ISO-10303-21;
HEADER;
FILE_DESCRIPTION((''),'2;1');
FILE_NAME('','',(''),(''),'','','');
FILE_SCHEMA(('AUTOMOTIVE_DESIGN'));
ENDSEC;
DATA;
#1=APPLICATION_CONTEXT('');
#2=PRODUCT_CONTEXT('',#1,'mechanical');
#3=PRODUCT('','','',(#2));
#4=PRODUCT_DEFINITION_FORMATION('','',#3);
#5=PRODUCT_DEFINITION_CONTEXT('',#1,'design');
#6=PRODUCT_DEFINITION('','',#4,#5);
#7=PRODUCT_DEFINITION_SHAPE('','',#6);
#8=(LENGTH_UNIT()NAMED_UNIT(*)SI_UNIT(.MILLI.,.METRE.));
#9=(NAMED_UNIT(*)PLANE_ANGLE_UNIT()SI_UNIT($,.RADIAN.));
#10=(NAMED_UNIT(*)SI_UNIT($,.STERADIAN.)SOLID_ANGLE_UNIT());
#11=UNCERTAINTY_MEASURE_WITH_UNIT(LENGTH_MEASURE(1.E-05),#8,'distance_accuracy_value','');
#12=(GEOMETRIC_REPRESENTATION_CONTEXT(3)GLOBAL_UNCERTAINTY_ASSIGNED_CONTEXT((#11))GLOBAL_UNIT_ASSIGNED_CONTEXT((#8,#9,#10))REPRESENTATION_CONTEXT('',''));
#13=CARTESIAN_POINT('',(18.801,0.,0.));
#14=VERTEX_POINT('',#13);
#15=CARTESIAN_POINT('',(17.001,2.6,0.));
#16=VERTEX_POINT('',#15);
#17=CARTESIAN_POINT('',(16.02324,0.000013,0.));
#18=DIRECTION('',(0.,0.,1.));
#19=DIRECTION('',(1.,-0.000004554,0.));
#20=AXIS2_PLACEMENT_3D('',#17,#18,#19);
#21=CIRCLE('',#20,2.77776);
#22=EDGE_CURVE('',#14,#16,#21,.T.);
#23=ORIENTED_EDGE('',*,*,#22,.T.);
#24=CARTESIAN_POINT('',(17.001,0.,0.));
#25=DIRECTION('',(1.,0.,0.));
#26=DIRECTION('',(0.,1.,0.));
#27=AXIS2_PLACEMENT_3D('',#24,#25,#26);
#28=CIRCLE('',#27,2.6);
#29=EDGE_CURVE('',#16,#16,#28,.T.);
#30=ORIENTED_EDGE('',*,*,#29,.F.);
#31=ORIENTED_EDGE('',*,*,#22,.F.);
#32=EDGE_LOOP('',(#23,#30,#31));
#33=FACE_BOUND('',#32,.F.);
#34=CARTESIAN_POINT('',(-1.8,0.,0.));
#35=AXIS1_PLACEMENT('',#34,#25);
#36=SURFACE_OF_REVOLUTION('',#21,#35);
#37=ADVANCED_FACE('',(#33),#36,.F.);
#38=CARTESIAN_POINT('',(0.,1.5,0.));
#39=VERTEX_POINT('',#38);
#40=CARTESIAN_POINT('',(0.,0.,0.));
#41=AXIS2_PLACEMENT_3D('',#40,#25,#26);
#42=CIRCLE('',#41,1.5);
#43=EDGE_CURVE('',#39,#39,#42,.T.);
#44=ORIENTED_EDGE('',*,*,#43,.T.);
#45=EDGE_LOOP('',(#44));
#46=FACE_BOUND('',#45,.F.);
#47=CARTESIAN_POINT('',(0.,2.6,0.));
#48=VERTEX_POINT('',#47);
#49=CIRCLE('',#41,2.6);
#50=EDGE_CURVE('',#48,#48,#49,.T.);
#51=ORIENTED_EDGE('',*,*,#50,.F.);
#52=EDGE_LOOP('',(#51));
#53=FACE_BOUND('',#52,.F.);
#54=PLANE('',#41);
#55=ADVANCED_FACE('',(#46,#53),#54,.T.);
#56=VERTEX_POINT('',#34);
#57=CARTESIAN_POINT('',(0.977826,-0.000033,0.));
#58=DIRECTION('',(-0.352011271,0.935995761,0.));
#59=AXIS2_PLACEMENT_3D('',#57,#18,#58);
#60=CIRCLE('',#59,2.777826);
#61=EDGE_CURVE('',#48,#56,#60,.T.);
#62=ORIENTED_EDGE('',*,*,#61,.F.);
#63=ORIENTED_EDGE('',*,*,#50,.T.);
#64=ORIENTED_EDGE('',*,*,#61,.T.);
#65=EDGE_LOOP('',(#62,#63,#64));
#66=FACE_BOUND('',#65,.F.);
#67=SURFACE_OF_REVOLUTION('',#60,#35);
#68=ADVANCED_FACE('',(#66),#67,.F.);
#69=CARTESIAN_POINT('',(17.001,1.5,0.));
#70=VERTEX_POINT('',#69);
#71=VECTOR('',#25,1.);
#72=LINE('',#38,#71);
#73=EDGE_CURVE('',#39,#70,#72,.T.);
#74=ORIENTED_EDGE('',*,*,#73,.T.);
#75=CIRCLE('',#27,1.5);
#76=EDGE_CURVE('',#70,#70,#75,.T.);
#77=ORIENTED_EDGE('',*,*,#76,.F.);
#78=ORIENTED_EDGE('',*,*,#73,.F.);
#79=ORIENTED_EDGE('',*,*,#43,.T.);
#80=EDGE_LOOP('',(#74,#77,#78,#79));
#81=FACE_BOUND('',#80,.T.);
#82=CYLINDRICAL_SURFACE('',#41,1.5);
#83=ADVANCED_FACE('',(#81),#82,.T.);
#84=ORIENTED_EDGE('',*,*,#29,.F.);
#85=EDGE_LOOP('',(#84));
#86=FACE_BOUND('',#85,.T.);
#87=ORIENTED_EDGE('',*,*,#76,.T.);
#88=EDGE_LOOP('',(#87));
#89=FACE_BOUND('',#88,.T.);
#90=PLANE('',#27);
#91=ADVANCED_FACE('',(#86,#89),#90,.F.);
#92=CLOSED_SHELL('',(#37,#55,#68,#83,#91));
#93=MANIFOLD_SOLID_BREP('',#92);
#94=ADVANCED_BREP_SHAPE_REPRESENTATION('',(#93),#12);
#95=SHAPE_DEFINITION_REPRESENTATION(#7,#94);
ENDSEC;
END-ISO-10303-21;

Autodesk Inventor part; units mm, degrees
ref_plane "YZ Plane" through (0, 0, 0) normal (1, 0, 0) x (0, 1, 0)
ref_plane "XZ Plane" through (0, 0, 0) normal (0, 1, 0) x (-1, 0, 0)
ref_plane "XY Plane" through (0, 0, 0) normal (0, 0, 1) x (1, 0, 0)
sketch "Sketch" plane through (0, 0, 0) normal (0, 0, 1) x (1, 0, 0)
  line L0 (0, 1.5) -> (17.001, 1.5)
  line L1 (17.001, 1.5) -> (17.001, 2.6)
  line L2 (0, 1.5) -> (0, 2.6)
  line L3 (-1.8, 0) -> (18.801, 0)
  line L4 (-1.2309, 0) -> (2.2319, 0) projected
  line L5 (0, -0.1982) -> (0, 1.189) projected
  arc A0 (0, 2.6) -> (-1.8, 0) centre (0.9778, 0) ccw
  arc A1 (18.801, 0) -> (17.001, 2.6) centre (16.0232, 0) ccw
  dimension "d0" = 3
  dimension "d1" = 17.001
  dimension "d2" = 5.2
  dimension "d3" = 1.8
  dimension "d4" = 5.2
  dimension "d5" = 1.8
revolve "Body" add sketch "Sketch" angle 360 about axis through (-1.8, 0, 0) along (1, 0, 0)
equation "\"d0\" = NND1"
equation "\"d2\" = KOD"
equation "\"d3\" = KOH"
equation "\"d4\" = KOD1"
equation "\"d5\" = KOH1"
equation "\"KOH\" = 1.8"
equation "\"KOH1\" = KOH"
equation "\"KOD\" = 5.2"
equation "\"KOD1\" = KOD"
equation "\"NND1\" = NND"
equation "\"KLG\" = 17"
equation "\"NLG\" = 25"
equation "\"KLGMIN\" = 0.001"
equation "\"NND\" = 3"
equation "\"KLGMAX\" = 18"
properties part number "ISO/R 1051 - 3 x 25" material "Steel, Mild"
